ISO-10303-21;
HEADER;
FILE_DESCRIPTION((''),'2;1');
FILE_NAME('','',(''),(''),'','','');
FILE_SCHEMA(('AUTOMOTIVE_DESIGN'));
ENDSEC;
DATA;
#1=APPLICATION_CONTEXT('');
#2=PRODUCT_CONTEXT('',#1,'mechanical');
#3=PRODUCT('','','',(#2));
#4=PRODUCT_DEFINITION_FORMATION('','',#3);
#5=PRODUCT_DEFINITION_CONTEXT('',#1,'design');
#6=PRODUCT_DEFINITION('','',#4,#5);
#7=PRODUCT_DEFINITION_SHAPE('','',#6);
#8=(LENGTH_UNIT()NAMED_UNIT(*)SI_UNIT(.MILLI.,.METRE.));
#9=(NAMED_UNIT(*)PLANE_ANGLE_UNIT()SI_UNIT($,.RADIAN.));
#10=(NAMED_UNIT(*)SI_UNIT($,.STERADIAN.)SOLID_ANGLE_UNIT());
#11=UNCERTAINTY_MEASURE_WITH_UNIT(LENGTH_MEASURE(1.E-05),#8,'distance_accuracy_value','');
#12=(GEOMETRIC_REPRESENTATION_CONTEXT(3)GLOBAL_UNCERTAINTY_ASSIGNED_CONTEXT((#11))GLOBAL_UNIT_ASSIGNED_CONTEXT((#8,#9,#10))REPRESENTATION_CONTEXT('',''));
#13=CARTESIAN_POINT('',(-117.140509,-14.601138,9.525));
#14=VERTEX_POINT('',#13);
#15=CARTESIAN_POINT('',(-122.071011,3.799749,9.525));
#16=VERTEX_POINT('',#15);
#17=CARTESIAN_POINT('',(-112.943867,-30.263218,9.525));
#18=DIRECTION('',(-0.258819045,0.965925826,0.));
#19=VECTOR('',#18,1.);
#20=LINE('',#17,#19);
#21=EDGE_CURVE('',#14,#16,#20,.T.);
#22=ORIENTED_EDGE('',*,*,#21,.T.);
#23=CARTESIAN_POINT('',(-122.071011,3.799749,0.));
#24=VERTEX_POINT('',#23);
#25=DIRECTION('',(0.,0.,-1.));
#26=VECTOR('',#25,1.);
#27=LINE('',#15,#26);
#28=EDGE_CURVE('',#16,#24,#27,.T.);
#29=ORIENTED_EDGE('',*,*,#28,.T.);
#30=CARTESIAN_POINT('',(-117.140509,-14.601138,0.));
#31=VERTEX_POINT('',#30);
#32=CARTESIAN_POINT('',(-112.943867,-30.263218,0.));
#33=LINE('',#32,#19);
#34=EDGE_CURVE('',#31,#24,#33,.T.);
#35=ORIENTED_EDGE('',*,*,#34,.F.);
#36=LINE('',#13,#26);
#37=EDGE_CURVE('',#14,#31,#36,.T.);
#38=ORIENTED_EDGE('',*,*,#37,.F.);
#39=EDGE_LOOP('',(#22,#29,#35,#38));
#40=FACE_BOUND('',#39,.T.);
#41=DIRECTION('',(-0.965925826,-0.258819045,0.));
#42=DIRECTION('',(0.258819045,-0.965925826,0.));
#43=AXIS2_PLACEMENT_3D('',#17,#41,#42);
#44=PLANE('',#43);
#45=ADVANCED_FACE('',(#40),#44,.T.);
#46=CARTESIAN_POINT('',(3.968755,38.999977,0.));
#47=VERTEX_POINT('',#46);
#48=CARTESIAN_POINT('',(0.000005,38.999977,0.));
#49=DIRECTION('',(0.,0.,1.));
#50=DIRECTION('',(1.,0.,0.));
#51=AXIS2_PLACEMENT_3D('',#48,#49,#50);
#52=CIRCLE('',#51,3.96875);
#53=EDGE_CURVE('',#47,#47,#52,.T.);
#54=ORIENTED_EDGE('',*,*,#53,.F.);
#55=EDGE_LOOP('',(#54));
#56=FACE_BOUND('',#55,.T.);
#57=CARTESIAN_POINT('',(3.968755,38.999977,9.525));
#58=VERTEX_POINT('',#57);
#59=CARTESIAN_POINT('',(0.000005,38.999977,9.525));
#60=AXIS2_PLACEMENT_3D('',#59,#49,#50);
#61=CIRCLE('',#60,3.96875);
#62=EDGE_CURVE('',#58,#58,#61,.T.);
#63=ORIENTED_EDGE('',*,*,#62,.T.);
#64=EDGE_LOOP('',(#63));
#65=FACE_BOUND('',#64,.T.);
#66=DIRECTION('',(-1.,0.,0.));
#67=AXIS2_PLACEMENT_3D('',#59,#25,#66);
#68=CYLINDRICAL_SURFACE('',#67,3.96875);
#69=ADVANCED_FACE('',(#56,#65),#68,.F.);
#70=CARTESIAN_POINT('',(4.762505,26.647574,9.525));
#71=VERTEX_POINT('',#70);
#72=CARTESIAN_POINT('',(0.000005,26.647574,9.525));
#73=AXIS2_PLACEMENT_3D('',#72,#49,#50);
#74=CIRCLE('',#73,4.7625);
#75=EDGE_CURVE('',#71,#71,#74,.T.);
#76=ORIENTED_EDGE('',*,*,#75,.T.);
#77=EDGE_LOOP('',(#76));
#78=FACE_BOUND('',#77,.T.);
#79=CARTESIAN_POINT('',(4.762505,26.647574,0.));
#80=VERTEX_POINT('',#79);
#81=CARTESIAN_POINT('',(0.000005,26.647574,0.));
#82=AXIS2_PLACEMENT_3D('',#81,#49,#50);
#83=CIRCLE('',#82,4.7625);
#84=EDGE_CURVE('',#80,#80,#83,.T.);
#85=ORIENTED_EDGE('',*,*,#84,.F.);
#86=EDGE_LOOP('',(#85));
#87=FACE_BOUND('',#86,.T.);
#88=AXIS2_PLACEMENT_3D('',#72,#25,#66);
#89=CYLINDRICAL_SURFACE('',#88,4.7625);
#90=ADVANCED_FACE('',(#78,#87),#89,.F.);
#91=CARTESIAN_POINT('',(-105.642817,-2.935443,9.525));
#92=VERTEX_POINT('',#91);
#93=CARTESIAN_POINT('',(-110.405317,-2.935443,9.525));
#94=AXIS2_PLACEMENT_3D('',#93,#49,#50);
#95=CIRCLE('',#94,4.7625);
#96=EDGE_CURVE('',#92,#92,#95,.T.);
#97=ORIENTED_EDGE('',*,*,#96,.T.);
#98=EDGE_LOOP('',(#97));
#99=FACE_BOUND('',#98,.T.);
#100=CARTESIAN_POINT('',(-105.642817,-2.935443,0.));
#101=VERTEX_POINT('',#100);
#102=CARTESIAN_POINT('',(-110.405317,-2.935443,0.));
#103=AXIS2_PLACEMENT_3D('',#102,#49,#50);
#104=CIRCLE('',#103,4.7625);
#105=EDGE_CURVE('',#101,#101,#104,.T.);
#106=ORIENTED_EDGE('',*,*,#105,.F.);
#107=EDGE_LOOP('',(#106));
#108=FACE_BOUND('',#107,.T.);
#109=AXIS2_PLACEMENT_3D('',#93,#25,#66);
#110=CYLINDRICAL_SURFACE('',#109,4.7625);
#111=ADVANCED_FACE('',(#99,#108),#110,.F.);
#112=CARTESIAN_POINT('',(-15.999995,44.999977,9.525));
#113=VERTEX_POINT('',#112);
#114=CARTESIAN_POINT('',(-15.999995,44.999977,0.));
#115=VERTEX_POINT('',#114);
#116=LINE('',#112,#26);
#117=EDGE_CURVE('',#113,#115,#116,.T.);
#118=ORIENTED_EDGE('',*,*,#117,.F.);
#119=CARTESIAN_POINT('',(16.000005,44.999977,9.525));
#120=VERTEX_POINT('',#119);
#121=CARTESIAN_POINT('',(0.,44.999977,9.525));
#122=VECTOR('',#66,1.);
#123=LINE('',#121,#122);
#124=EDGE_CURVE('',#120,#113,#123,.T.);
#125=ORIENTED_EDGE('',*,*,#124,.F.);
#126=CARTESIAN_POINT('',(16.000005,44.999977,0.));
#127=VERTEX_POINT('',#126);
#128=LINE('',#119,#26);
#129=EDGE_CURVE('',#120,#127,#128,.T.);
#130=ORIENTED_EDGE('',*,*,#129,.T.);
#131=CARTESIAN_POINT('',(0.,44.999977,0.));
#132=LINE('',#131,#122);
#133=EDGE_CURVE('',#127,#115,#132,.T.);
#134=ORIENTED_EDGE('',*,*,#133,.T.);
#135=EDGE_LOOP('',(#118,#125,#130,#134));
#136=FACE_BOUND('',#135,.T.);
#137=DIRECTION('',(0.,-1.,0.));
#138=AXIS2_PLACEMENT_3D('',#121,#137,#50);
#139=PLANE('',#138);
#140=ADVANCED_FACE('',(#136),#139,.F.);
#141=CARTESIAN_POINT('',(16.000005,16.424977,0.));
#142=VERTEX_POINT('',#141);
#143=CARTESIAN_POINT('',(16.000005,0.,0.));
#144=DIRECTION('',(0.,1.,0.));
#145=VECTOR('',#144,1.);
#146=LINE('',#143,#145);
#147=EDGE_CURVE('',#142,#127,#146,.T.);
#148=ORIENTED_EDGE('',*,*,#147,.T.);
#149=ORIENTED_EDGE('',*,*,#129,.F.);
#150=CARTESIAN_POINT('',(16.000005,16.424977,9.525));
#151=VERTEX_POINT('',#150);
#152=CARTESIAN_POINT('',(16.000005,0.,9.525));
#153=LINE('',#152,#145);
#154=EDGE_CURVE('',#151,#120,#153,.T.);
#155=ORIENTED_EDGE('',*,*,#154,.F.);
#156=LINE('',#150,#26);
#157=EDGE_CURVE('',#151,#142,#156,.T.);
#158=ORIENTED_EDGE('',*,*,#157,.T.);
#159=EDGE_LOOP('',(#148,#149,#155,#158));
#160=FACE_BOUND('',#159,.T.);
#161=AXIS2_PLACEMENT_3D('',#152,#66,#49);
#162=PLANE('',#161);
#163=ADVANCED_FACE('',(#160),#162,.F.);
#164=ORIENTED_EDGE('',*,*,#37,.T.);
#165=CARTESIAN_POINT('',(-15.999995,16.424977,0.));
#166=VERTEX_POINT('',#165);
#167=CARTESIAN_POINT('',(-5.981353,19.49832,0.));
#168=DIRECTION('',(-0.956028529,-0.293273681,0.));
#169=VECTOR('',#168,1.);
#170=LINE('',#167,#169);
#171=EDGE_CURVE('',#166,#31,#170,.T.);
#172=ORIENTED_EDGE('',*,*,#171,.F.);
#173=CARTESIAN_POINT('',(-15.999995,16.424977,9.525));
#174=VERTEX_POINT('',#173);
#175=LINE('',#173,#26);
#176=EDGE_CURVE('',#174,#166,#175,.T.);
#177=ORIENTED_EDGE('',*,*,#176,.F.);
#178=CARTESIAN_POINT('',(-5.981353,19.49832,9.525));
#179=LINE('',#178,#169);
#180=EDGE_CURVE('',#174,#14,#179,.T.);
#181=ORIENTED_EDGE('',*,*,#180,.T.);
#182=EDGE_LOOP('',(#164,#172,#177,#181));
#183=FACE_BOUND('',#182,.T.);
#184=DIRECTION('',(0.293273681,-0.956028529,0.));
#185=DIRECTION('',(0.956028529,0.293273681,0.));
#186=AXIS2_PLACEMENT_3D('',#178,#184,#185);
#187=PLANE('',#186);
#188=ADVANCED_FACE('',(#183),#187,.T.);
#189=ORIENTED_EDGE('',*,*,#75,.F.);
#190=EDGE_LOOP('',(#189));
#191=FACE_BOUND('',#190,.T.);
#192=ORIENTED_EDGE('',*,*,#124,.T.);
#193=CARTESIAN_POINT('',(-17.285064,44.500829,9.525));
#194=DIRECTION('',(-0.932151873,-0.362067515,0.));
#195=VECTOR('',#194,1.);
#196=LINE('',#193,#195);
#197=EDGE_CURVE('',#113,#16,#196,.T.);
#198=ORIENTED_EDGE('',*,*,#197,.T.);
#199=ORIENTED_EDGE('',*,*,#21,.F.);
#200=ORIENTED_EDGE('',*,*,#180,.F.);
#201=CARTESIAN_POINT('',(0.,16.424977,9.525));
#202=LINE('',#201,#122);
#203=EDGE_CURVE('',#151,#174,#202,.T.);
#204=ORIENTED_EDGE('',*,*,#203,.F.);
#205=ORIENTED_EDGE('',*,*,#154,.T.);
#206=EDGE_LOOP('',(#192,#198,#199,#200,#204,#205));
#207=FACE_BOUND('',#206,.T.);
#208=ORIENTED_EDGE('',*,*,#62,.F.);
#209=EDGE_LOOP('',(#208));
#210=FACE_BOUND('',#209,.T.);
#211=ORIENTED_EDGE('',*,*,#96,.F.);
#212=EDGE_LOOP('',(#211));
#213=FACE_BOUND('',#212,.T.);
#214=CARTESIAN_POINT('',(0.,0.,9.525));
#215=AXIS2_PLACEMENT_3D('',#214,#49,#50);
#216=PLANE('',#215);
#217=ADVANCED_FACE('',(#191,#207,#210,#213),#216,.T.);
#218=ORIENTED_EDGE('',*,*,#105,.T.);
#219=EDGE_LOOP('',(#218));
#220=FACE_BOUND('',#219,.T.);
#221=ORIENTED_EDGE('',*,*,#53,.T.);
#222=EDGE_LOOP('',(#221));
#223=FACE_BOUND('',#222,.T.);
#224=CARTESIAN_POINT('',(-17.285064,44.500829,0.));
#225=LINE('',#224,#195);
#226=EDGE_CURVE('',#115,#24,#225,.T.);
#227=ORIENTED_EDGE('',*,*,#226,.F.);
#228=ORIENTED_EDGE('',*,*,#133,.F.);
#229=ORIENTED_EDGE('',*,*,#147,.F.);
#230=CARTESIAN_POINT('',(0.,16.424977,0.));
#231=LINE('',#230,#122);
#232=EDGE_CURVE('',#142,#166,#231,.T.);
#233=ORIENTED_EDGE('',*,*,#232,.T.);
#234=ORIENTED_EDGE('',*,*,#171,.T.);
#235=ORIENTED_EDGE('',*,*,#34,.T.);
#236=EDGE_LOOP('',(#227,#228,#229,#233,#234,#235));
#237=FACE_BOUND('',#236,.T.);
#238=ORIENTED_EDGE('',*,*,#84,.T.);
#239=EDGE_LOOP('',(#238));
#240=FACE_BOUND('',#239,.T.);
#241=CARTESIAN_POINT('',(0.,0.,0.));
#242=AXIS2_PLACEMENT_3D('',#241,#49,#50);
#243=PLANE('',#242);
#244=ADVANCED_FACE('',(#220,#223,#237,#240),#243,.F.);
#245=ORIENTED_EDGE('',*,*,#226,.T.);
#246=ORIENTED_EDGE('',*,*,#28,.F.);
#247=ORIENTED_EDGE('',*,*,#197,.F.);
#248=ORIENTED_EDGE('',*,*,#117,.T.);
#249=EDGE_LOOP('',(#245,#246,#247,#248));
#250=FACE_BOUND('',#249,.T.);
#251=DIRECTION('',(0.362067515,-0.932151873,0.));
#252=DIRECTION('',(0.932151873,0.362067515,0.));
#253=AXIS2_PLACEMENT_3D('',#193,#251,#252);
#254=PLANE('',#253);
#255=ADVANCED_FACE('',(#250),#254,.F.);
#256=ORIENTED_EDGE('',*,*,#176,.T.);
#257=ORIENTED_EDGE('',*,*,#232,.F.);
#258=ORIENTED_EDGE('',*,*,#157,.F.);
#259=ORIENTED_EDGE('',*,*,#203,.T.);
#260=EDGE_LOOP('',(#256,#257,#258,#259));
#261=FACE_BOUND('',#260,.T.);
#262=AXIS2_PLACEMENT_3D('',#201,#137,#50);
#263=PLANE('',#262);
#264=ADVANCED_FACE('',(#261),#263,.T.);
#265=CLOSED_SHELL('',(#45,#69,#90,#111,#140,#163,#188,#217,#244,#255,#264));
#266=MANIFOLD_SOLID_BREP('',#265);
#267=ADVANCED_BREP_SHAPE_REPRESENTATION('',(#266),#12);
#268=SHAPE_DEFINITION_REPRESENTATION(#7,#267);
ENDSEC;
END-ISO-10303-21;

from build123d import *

# Parameters (mm, degrees)
SKETCH1_R           = 3.96875
SKETCH1_R_2         = 4.762500004
BOSS_EXTRUDE1_DEPTH = 9.525


with BuildPart() as part:
    # Sketch1 → Boss-Extrude1 (new body)
    with BuildSketch(Plane.XY):
        Polygon((-15.999994625, 44.999976622), (-122.071011472, 3.799748897), (-117.140508663, -14.601138094), (-15.999994625, 16.424976622), (16.000005375, 16.424976622), (16.000005375, 44.999976622), align=None)
        with Locations((5.375e-06, 38.999976622)):
            Circle(SKETCH1_R, mode=Mode.SUBTRACT)
        with Locations((5.373e-06, 26.647573661)):
            Circle(SKETCH1_R_2, mode=Mode.SUBTRACT)
        with Locations((-110.405316572, -2.935443194)):
            Circle(SKETCH1_R_2, mode=Mode.SUBTRACT)
    extrude(amount=BOSS_EXTRUDE1_DEPTH)


solid = part.part
